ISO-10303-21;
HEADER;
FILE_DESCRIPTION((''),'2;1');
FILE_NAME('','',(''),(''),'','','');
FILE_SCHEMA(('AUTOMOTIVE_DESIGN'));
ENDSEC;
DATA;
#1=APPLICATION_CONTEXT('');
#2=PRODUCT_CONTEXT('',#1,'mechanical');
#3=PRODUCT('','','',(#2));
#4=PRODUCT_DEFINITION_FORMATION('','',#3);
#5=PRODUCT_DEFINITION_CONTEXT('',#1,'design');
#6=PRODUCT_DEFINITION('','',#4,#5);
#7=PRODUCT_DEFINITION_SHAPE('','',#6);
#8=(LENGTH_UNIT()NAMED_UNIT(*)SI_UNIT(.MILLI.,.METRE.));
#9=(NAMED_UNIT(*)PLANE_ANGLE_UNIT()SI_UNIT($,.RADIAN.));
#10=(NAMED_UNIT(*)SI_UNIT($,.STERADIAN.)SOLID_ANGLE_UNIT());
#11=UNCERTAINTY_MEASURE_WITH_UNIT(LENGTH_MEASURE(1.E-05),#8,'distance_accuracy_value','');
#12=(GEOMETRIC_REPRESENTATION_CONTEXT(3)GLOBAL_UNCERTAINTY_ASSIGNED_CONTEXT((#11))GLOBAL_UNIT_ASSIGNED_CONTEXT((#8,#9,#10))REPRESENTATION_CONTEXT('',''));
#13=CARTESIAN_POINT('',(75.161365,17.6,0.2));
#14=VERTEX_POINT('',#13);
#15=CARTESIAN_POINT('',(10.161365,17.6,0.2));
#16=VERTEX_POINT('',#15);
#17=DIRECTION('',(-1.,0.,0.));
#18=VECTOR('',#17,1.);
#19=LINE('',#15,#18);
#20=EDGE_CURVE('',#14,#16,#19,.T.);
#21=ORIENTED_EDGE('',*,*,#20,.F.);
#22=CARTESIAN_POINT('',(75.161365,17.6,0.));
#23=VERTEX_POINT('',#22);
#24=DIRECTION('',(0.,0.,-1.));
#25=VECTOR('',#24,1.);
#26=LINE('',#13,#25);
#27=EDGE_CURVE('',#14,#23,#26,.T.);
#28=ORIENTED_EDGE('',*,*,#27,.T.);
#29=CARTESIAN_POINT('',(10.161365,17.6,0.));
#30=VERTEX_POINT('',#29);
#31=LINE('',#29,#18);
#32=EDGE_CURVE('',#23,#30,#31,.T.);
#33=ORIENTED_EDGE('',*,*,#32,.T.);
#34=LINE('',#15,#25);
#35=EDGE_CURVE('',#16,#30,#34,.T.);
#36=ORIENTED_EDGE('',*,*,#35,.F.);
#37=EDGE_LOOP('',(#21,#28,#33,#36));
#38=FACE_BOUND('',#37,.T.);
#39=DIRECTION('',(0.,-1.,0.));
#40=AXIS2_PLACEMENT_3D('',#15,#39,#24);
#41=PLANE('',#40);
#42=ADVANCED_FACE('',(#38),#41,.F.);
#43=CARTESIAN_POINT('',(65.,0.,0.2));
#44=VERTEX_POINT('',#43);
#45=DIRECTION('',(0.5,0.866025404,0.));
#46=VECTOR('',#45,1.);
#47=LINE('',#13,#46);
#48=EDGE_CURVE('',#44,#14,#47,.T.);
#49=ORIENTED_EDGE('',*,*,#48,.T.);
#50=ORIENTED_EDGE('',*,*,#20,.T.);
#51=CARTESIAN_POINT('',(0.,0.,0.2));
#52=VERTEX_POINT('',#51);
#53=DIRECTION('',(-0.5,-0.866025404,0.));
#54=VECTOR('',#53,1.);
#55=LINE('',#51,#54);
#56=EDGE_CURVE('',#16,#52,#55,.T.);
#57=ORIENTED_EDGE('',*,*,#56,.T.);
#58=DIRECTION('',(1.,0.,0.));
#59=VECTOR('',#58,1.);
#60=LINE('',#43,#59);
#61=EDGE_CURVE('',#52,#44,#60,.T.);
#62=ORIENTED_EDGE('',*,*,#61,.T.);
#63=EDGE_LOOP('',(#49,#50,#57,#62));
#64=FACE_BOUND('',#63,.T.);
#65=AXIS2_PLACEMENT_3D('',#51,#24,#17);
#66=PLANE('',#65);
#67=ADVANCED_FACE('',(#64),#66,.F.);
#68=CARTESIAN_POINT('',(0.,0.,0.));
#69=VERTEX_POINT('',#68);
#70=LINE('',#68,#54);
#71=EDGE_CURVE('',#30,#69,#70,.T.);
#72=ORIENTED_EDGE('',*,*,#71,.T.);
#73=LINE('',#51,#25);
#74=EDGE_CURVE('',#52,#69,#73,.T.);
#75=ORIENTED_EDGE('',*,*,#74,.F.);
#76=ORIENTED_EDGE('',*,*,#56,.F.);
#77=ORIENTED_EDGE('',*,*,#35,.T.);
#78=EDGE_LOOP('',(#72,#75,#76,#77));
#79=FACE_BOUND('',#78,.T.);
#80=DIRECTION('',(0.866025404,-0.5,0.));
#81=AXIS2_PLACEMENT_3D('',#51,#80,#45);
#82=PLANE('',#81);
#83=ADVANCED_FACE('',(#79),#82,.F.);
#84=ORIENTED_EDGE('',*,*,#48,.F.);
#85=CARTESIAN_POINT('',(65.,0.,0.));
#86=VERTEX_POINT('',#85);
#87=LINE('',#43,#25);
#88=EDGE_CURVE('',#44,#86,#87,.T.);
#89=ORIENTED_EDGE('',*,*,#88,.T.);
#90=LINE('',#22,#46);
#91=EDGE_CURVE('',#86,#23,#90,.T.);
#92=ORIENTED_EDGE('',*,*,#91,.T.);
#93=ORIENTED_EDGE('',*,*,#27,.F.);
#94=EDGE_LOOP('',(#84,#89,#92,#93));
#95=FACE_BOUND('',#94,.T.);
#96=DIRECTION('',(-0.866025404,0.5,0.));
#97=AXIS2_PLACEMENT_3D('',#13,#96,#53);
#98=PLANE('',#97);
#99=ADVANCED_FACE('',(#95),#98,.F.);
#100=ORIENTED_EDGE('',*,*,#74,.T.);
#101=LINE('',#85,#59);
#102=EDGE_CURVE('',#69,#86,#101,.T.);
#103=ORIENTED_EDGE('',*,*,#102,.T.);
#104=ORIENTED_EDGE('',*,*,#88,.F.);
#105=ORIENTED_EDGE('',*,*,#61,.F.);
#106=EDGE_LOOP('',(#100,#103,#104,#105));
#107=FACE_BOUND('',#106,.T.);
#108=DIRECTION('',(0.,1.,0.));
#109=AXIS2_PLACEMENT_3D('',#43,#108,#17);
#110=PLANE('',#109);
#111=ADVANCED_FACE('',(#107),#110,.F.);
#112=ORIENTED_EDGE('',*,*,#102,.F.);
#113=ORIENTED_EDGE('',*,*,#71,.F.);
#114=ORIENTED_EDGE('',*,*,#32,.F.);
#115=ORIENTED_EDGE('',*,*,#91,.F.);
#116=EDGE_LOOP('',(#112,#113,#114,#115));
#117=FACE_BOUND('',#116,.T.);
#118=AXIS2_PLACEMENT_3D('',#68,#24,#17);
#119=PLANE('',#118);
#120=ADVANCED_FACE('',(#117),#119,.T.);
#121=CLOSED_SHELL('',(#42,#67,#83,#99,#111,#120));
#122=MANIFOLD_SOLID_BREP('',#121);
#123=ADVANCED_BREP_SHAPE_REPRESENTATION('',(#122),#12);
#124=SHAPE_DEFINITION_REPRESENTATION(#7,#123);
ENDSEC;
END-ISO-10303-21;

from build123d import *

# Parameters (mm, degrees)
BOSS_EXTRUDE1_DEPTH = 0.2


with BuildPart() as part:
    # Sketch1 → Boss-Extrude1 (new body)
    with BuildSketch(Plane.XY):
        Polygon((0, 0), (10.161364738, 17.6), (75.161364738, 17.6), (65, 0), align=None)
    extrude(amount=BOSS_EXTRUDE1_DEPTH)


solid = part.part
